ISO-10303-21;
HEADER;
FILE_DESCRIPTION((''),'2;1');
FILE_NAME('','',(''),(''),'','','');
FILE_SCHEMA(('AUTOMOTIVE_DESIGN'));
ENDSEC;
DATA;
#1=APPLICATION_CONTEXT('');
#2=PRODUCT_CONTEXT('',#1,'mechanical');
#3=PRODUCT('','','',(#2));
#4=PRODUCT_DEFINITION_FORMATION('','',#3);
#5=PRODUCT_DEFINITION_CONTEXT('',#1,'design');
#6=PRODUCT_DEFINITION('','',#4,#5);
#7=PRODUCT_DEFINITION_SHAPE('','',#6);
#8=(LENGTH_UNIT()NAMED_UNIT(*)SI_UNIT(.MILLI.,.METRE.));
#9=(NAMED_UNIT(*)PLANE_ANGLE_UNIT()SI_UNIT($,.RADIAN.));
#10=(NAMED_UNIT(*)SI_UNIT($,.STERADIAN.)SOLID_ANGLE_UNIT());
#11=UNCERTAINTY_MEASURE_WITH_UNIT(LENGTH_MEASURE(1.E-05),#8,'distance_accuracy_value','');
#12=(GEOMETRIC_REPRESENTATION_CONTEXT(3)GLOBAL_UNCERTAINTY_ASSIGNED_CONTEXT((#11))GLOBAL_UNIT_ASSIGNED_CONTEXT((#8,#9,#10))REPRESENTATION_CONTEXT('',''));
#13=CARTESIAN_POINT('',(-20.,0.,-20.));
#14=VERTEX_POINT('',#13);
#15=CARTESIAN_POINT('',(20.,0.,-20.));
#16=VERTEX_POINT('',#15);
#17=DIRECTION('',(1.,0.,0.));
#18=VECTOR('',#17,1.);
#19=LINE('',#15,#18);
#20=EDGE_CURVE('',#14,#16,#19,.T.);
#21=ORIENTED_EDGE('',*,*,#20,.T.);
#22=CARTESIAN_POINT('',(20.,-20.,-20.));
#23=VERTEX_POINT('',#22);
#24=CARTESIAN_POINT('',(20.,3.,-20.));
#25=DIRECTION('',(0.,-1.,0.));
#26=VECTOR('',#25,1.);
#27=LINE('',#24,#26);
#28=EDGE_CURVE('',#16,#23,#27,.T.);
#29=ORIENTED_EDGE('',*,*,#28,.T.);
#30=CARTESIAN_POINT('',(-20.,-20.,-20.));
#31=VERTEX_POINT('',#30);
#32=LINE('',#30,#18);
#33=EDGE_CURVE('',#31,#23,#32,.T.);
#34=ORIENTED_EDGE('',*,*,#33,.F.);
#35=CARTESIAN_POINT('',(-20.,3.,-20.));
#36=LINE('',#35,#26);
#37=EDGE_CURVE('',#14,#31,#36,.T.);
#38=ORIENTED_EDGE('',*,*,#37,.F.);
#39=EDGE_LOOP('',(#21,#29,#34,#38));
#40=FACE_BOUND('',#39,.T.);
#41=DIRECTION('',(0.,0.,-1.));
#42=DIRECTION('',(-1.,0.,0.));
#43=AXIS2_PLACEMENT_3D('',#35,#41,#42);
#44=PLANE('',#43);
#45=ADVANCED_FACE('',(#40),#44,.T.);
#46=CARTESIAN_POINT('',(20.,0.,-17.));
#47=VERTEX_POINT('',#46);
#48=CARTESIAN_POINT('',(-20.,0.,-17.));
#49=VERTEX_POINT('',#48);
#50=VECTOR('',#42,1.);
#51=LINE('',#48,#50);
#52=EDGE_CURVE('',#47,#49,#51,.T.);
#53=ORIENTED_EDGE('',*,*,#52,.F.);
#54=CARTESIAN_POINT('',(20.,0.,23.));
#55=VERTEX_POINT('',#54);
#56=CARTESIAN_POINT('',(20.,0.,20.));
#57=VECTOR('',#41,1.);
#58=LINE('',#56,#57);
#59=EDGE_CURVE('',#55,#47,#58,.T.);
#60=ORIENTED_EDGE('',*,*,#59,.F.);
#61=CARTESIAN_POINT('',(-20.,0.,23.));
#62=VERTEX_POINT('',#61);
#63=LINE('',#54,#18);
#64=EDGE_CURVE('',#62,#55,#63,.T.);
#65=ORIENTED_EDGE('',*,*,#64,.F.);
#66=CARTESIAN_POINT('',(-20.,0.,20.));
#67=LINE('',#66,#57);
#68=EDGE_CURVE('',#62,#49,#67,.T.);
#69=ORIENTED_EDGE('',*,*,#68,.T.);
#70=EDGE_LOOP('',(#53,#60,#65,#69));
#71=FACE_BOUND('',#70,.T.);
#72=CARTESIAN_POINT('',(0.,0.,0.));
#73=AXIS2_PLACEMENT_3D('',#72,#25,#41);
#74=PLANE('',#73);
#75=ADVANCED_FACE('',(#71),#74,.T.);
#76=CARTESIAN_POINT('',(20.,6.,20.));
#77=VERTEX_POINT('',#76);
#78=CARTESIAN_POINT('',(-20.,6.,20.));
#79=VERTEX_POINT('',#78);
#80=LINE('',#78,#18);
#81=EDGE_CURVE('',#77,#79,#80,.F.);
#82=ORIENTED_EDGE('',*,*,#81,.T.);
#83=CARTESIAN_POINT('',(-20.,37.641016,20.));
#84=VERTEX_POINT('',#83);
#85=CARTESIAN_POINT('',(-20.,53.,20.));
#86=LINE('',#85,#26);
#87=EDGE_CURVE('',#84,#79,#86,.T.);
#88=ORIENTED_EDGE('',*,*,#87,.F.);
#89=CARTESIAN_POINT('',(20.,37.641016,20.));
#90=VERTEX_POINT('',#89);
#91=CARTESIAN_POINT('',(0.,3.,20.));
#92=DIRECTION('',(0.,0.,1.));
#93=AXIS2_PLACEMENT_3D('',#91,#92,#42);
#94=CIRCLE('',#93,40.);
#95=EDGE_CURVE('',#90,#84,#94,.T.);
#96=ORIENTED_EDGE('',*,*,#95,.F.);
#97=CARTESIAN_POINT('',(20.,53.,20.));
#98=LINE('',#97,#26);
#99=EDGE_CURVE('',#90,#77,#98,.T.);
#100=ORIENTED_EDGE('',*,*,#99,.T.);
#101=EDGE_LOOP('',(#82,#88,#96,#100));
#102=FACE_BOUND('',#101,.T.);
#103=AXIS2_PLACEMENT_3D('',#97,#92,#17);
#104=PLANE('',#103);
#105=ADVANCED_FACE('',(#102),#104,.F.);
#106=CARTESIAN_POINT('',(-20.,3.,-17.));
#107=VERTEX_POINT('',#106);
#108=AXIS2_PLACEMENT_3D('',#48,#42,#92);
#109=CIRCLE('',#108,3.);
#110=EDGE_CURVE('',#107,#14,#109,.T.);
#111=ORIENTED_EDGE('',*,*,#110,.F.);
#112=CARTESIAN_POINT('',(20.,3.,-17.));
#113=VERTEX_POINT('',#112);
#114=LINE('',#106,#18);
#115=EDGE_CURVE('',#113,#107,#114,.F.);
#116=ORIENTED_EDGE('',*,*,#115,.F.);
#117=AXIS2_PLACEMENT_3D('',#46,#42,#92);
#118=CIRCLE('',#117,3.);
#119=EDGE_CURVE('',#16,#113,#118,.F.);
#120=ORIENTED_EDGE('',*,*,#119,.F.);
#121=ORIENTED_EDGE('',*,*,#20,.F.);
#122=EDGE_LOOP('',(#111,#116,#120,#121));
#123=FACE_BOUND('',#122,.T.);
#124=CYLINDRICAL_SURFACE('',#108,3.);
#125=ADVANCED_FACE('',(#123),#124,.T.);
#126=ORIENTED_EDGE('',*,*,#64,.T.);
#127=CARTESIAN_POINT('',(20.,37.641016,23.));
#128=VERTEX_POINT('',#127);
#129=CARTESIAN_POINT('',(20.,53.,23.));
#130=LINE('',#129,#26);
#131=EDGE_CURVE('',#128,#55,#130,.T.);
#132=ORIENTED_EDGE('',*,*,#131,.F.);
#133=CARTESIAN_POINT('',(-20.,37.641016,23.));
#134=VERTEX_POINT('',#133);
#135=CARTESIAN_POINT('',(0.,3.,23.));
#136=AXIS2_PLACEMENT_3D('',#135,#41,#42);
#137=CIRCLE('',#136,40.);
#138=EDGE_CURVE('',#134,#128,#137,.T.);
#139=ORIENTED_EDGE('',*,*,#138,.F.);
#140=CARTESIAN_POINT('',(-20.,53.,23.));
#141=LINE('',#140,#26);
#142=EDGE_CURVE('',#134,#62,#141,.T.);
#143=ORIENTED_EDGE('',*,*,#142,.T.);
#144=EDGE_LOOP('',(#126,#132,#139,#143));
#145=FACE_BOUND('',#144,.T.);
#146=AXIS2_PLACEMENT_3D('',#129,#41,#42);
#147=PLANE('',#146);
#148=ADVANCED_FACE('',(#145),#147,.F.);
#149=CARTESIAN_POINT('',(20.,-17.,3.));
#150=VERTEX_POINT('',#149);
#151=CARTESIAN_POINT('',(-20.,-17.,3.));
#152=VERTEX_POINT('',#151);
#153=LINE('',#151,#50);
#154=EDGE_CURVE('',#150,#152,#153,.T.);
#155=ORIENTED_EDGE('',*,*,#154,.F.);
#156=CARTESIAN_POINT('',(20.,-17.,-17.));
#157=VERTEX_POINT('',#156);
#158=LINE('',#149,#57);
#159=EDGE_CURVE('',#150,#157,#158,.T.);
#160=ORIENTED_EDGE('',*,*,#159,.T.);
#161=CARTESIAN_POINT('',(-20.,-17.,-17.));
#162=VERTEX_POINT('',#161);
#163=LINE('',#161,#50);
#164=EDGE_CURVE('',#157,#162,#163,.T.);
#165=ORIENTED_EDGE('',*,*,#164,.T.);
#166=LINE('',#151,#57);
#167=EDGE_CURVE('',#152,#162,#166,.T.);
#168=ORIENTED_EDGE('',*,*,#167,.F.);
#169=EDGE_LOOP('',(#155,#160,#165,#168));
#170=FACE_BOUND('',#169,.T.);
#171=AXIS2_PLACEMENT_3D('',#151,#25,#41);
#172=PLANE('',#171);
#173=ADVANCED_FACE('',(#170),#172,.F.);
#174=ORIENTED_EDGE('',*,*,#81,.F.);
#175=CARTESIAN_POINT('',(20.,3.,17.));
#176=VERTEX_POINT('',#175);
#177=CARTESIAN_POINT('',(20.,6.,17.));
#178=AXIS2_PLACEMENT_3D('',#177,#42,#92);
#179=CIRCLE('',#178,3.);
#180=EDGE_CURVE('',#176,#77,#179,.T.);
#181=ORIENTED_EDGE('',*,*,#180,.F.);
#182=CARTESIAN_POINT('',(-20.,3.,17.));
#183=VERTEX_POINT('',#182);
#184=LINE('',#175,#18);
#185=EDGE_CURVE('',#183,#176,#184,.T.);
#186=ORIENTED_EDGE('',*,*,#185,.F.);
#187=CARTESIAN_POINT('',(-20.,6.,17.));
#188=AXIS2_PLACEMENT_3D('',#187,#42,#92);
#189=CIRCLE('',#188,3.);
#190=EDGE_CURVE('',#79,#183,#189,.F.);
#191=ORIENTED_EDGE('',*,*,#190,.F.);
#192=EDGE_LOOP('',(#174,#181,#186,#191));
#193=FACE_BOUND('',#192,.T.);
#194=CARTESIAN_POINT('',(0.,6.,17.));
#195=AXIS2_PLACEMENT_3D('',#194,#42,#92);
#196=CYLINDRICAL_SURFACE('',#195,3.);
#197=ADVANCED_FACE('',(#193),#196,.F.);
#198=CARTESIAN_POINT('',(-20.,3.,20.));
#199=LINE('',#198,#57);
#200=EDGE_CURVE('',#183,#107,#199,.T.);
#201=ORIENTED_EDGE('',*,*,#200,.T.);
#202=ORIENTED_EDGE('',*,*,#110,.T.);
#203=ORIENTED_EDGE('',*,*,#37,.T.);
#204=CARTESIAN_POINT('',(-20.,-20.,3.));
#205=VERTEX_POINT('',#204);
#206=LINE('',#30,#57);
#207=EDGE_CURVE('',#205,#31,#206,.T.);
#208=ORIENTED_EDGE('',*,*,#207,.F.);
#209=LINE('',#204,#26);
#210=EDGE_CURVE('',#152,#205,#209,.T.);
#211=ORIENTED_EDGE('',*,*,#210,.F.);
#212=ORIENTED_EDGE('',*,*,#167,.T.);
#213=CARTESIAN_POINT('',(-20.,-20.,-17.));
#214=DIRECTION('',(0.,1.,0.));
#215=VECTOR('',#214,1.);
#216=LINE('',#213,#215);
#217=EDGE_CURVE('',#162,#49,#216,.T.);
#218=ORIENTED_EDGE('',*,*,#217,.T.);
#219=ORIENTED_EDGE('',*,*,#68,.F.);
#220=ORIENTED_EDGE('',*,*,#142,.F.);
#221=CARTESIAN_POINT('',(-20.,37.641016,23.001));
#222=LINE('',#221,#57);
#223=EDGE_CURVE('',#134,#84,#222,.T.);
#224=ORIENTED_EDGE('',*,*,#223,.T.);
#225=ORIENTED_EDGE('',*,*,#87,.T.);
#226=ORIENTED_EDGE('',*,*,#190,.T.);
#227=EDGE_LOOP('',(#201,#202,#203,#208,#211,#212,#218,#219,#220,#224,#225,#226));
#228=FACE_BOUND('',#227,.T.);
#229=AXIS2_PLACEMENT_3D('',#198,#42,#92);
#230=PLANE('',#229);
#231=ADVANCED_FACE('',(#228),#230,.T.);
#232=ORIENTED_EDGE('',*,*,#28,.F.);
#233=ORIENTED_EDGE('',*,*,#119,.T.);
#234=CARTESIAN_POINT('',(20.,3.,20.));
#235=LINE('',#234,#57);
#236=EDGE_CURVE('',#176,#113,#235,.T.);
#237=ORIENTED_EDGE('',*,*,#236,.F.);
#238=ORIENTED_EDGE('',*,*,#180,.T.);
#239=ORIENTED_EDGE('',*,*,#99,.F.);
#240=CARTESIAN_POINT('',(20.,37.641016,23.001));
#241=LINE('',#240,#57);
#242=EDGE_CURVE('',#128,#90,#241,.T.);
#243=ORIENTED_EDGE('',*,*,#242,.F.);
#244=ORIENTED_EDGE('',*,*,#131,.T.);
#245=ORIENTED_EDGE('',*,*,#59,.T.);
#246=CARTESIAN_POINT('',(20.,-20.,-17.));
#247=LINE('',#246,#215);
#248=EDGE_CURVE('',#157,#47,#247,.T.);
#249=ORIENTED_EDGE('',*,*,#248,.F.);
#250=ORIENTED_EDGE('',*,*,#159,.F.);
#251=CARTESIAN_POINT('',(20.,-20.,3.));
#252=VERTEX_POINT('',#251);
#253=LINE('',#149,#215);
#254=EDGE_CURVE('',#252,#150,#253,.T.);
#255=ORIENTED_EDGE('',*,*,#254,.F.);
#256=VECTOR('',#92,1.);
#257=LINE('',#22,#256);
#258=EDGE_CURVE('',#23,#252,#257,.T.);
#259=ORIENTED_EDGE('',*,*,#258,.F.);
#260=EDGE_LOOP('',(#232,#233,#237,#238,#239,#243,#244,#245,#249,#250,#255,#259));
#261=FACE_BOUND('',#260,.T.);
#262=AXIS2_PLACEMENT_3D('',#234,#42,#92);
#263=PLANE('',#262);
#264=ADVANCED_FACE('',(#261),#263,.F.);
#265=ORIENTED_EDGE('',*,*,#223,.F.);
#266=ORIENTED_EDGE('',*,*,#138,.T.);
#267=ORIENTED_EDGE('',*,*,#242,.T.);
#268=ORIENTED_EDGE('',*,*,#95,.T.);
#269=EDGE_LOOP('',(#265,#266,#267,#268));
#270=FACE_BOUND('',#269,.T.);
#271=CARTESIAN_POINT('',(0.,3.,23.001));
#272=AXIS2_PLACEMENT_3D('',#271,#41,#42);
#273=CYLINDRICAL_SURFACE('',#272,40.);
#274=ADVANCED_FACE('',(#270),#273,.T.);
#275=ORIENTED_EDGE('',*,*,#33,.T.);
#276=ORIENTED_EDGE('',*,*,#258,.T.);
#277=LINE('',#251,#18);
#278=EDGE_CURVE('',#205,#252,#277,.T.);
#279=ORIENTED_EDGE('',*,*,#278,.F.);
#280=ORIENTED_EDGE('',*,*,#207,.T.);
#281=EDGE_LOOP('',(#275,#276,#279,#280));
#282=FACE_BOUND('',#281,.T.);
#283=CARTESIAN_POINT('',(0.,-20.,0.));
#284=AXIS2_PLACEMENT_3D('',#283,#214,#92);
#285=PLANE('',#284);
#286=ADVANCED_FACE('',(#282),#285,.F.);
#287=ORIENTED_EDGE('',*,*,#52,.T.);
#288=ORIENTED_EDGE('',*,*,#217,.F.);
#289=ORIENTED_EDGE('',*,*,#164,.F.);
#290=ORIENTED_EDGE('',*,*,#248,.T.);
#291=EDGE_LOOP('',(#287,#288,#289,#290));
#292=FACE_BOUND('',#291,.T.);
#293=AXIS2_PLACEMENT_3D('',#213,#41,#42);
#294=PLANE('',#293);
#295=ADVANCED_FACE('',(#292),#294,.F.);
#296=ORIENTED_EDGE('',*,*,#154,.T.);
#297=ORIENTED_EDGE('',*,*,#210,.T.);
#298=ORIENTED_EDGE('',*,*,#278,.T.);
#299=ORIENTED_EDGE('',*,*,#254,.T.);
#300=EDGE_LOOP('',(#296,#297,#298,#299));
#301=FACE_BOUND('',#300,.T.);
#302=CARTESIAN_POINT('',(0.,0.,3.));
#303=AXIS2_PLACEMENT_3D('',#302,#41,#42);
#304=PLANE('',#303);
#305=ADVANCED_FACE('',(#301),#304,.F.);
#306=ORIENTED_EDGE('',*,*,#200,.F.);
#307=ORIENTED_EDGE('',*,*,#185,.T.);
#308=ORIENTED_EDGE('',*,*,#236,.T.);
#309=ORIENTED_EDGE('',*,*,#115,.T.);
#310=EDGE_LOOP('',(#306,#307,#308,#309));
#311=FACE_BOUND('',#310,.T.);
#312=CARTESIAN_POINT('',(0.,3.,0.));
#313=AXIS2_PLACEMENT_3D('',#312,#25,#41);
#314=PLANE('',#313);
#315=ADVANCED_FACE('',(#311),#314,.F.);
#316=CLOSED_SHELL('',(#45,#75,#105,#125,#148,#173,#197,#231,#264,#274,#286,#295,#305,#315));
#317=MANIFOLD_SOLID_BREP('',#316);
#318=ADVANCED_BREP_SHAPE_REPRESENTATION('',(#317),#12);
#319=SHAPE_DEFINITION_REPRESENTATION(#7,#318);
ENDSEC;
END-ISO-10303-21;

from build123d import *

# Parameters (mm, degrees)
SKETCH1_W           = 40
SKETCH1_H           = 40
BOSS_EXTRUDE1_DEPTH = 3
SKETCH2_W           = 40
SKETCH2_H           = 3
BOSS_EXTRUDE2_DEPTH = 53
SKETCH3_W           = 40
SKETCH3_H           = 3
BOSS_EXTRUDE3_DEPTH = 20
CUT_EXTRUDE1_REACH  = 5
FILLET1_R           = 3
SKETCH5_W           = 40
SKETCH5_H           = 3
BOSS_EXTRUDE4_DEPTH = 20


with BuildPart() as part:
    # Sketch1 → Boss-Extrude1 (new body)
    with BuildSketch(Plane(origin=(0, 0, 0), x_dir=(1, 0, 0), z_dir=(0, 1, 0))):
        Rectangle(SKETCH1_W, SKETCH1_H)
    extrude(amount=BOSS_EXTRUDE1_DEPTH)

    # Sketch2 → Boss-Extrude2 (add)
    with BuildSketch(Plane(origin=(0, 0, 0), x_dir=(1, 0, 0), z_dir=(0, 1, 0))):
        with Locations((0, -21.5)):
            Rectangle(SKETCH2_W, SKETCH2_H)
    extrude(amount=BOSS_EXTRUDE2_DEPTH)

    # Sketch3 → Boss-Extrude3 (add)
    with BuildSketch(Plane.XZ):
        with Locations((0, -18.5)):
            Rectangle(SKETCH3_W, SKETCH3_H)
    extrude(amount=BOSS_EXTRUDE3_DEPTH)

    # Sketch4 → Cut-Extrude1 (cut, up to next)
    with BuildSketch(Plane(origin=(0, 0, 20), x_dir=(-1, 0, 0), z_dir=(0, 0, -1)), mode=Mode.PRIVATE) as cut_extrude1_sk1:
        with BuildLine():
            Line((-20, 37.641016151), (-20, 53))
            Line((-20, 53), (20, 53))
            Line((20, 53), (20, 37.641016151))
            ThreePointArc((20, 37.641016151), (0, 43), (-20, 37.641016151))
        make_face()
    cut_extrude1_tool1 = extrude(cut_extrude1_sk1.sketch, amount=-CUT_EXTRUDE1_REACH, mode=Mode.PRIVATE) & part.part
    add(cut_extrude1_tool1.solids().sort_by_distance((0, 47.025808, 20))[0], mode=Mode.SUBTRACT)

    # Fillet1
    fillet1_edges = [part.edges().sort_by_distance(p)[0] for p in [
        (0, 3, 20),
        (0, 3, -20),
    ]]
    fillet(fillet1_edges, radius=FILLET1_R)

    # Sketch5 → Boss-Extrude4 (add)
    with BuildSketch(Plane.XY.offset(-17)):
        with Locations((0, -18.5)):
            Rectangle(SKETCH5_W, SKETCH5_H)
    extrude(amount=BOSS_EXTRUDE4_DEPTH)


solid = part.part
